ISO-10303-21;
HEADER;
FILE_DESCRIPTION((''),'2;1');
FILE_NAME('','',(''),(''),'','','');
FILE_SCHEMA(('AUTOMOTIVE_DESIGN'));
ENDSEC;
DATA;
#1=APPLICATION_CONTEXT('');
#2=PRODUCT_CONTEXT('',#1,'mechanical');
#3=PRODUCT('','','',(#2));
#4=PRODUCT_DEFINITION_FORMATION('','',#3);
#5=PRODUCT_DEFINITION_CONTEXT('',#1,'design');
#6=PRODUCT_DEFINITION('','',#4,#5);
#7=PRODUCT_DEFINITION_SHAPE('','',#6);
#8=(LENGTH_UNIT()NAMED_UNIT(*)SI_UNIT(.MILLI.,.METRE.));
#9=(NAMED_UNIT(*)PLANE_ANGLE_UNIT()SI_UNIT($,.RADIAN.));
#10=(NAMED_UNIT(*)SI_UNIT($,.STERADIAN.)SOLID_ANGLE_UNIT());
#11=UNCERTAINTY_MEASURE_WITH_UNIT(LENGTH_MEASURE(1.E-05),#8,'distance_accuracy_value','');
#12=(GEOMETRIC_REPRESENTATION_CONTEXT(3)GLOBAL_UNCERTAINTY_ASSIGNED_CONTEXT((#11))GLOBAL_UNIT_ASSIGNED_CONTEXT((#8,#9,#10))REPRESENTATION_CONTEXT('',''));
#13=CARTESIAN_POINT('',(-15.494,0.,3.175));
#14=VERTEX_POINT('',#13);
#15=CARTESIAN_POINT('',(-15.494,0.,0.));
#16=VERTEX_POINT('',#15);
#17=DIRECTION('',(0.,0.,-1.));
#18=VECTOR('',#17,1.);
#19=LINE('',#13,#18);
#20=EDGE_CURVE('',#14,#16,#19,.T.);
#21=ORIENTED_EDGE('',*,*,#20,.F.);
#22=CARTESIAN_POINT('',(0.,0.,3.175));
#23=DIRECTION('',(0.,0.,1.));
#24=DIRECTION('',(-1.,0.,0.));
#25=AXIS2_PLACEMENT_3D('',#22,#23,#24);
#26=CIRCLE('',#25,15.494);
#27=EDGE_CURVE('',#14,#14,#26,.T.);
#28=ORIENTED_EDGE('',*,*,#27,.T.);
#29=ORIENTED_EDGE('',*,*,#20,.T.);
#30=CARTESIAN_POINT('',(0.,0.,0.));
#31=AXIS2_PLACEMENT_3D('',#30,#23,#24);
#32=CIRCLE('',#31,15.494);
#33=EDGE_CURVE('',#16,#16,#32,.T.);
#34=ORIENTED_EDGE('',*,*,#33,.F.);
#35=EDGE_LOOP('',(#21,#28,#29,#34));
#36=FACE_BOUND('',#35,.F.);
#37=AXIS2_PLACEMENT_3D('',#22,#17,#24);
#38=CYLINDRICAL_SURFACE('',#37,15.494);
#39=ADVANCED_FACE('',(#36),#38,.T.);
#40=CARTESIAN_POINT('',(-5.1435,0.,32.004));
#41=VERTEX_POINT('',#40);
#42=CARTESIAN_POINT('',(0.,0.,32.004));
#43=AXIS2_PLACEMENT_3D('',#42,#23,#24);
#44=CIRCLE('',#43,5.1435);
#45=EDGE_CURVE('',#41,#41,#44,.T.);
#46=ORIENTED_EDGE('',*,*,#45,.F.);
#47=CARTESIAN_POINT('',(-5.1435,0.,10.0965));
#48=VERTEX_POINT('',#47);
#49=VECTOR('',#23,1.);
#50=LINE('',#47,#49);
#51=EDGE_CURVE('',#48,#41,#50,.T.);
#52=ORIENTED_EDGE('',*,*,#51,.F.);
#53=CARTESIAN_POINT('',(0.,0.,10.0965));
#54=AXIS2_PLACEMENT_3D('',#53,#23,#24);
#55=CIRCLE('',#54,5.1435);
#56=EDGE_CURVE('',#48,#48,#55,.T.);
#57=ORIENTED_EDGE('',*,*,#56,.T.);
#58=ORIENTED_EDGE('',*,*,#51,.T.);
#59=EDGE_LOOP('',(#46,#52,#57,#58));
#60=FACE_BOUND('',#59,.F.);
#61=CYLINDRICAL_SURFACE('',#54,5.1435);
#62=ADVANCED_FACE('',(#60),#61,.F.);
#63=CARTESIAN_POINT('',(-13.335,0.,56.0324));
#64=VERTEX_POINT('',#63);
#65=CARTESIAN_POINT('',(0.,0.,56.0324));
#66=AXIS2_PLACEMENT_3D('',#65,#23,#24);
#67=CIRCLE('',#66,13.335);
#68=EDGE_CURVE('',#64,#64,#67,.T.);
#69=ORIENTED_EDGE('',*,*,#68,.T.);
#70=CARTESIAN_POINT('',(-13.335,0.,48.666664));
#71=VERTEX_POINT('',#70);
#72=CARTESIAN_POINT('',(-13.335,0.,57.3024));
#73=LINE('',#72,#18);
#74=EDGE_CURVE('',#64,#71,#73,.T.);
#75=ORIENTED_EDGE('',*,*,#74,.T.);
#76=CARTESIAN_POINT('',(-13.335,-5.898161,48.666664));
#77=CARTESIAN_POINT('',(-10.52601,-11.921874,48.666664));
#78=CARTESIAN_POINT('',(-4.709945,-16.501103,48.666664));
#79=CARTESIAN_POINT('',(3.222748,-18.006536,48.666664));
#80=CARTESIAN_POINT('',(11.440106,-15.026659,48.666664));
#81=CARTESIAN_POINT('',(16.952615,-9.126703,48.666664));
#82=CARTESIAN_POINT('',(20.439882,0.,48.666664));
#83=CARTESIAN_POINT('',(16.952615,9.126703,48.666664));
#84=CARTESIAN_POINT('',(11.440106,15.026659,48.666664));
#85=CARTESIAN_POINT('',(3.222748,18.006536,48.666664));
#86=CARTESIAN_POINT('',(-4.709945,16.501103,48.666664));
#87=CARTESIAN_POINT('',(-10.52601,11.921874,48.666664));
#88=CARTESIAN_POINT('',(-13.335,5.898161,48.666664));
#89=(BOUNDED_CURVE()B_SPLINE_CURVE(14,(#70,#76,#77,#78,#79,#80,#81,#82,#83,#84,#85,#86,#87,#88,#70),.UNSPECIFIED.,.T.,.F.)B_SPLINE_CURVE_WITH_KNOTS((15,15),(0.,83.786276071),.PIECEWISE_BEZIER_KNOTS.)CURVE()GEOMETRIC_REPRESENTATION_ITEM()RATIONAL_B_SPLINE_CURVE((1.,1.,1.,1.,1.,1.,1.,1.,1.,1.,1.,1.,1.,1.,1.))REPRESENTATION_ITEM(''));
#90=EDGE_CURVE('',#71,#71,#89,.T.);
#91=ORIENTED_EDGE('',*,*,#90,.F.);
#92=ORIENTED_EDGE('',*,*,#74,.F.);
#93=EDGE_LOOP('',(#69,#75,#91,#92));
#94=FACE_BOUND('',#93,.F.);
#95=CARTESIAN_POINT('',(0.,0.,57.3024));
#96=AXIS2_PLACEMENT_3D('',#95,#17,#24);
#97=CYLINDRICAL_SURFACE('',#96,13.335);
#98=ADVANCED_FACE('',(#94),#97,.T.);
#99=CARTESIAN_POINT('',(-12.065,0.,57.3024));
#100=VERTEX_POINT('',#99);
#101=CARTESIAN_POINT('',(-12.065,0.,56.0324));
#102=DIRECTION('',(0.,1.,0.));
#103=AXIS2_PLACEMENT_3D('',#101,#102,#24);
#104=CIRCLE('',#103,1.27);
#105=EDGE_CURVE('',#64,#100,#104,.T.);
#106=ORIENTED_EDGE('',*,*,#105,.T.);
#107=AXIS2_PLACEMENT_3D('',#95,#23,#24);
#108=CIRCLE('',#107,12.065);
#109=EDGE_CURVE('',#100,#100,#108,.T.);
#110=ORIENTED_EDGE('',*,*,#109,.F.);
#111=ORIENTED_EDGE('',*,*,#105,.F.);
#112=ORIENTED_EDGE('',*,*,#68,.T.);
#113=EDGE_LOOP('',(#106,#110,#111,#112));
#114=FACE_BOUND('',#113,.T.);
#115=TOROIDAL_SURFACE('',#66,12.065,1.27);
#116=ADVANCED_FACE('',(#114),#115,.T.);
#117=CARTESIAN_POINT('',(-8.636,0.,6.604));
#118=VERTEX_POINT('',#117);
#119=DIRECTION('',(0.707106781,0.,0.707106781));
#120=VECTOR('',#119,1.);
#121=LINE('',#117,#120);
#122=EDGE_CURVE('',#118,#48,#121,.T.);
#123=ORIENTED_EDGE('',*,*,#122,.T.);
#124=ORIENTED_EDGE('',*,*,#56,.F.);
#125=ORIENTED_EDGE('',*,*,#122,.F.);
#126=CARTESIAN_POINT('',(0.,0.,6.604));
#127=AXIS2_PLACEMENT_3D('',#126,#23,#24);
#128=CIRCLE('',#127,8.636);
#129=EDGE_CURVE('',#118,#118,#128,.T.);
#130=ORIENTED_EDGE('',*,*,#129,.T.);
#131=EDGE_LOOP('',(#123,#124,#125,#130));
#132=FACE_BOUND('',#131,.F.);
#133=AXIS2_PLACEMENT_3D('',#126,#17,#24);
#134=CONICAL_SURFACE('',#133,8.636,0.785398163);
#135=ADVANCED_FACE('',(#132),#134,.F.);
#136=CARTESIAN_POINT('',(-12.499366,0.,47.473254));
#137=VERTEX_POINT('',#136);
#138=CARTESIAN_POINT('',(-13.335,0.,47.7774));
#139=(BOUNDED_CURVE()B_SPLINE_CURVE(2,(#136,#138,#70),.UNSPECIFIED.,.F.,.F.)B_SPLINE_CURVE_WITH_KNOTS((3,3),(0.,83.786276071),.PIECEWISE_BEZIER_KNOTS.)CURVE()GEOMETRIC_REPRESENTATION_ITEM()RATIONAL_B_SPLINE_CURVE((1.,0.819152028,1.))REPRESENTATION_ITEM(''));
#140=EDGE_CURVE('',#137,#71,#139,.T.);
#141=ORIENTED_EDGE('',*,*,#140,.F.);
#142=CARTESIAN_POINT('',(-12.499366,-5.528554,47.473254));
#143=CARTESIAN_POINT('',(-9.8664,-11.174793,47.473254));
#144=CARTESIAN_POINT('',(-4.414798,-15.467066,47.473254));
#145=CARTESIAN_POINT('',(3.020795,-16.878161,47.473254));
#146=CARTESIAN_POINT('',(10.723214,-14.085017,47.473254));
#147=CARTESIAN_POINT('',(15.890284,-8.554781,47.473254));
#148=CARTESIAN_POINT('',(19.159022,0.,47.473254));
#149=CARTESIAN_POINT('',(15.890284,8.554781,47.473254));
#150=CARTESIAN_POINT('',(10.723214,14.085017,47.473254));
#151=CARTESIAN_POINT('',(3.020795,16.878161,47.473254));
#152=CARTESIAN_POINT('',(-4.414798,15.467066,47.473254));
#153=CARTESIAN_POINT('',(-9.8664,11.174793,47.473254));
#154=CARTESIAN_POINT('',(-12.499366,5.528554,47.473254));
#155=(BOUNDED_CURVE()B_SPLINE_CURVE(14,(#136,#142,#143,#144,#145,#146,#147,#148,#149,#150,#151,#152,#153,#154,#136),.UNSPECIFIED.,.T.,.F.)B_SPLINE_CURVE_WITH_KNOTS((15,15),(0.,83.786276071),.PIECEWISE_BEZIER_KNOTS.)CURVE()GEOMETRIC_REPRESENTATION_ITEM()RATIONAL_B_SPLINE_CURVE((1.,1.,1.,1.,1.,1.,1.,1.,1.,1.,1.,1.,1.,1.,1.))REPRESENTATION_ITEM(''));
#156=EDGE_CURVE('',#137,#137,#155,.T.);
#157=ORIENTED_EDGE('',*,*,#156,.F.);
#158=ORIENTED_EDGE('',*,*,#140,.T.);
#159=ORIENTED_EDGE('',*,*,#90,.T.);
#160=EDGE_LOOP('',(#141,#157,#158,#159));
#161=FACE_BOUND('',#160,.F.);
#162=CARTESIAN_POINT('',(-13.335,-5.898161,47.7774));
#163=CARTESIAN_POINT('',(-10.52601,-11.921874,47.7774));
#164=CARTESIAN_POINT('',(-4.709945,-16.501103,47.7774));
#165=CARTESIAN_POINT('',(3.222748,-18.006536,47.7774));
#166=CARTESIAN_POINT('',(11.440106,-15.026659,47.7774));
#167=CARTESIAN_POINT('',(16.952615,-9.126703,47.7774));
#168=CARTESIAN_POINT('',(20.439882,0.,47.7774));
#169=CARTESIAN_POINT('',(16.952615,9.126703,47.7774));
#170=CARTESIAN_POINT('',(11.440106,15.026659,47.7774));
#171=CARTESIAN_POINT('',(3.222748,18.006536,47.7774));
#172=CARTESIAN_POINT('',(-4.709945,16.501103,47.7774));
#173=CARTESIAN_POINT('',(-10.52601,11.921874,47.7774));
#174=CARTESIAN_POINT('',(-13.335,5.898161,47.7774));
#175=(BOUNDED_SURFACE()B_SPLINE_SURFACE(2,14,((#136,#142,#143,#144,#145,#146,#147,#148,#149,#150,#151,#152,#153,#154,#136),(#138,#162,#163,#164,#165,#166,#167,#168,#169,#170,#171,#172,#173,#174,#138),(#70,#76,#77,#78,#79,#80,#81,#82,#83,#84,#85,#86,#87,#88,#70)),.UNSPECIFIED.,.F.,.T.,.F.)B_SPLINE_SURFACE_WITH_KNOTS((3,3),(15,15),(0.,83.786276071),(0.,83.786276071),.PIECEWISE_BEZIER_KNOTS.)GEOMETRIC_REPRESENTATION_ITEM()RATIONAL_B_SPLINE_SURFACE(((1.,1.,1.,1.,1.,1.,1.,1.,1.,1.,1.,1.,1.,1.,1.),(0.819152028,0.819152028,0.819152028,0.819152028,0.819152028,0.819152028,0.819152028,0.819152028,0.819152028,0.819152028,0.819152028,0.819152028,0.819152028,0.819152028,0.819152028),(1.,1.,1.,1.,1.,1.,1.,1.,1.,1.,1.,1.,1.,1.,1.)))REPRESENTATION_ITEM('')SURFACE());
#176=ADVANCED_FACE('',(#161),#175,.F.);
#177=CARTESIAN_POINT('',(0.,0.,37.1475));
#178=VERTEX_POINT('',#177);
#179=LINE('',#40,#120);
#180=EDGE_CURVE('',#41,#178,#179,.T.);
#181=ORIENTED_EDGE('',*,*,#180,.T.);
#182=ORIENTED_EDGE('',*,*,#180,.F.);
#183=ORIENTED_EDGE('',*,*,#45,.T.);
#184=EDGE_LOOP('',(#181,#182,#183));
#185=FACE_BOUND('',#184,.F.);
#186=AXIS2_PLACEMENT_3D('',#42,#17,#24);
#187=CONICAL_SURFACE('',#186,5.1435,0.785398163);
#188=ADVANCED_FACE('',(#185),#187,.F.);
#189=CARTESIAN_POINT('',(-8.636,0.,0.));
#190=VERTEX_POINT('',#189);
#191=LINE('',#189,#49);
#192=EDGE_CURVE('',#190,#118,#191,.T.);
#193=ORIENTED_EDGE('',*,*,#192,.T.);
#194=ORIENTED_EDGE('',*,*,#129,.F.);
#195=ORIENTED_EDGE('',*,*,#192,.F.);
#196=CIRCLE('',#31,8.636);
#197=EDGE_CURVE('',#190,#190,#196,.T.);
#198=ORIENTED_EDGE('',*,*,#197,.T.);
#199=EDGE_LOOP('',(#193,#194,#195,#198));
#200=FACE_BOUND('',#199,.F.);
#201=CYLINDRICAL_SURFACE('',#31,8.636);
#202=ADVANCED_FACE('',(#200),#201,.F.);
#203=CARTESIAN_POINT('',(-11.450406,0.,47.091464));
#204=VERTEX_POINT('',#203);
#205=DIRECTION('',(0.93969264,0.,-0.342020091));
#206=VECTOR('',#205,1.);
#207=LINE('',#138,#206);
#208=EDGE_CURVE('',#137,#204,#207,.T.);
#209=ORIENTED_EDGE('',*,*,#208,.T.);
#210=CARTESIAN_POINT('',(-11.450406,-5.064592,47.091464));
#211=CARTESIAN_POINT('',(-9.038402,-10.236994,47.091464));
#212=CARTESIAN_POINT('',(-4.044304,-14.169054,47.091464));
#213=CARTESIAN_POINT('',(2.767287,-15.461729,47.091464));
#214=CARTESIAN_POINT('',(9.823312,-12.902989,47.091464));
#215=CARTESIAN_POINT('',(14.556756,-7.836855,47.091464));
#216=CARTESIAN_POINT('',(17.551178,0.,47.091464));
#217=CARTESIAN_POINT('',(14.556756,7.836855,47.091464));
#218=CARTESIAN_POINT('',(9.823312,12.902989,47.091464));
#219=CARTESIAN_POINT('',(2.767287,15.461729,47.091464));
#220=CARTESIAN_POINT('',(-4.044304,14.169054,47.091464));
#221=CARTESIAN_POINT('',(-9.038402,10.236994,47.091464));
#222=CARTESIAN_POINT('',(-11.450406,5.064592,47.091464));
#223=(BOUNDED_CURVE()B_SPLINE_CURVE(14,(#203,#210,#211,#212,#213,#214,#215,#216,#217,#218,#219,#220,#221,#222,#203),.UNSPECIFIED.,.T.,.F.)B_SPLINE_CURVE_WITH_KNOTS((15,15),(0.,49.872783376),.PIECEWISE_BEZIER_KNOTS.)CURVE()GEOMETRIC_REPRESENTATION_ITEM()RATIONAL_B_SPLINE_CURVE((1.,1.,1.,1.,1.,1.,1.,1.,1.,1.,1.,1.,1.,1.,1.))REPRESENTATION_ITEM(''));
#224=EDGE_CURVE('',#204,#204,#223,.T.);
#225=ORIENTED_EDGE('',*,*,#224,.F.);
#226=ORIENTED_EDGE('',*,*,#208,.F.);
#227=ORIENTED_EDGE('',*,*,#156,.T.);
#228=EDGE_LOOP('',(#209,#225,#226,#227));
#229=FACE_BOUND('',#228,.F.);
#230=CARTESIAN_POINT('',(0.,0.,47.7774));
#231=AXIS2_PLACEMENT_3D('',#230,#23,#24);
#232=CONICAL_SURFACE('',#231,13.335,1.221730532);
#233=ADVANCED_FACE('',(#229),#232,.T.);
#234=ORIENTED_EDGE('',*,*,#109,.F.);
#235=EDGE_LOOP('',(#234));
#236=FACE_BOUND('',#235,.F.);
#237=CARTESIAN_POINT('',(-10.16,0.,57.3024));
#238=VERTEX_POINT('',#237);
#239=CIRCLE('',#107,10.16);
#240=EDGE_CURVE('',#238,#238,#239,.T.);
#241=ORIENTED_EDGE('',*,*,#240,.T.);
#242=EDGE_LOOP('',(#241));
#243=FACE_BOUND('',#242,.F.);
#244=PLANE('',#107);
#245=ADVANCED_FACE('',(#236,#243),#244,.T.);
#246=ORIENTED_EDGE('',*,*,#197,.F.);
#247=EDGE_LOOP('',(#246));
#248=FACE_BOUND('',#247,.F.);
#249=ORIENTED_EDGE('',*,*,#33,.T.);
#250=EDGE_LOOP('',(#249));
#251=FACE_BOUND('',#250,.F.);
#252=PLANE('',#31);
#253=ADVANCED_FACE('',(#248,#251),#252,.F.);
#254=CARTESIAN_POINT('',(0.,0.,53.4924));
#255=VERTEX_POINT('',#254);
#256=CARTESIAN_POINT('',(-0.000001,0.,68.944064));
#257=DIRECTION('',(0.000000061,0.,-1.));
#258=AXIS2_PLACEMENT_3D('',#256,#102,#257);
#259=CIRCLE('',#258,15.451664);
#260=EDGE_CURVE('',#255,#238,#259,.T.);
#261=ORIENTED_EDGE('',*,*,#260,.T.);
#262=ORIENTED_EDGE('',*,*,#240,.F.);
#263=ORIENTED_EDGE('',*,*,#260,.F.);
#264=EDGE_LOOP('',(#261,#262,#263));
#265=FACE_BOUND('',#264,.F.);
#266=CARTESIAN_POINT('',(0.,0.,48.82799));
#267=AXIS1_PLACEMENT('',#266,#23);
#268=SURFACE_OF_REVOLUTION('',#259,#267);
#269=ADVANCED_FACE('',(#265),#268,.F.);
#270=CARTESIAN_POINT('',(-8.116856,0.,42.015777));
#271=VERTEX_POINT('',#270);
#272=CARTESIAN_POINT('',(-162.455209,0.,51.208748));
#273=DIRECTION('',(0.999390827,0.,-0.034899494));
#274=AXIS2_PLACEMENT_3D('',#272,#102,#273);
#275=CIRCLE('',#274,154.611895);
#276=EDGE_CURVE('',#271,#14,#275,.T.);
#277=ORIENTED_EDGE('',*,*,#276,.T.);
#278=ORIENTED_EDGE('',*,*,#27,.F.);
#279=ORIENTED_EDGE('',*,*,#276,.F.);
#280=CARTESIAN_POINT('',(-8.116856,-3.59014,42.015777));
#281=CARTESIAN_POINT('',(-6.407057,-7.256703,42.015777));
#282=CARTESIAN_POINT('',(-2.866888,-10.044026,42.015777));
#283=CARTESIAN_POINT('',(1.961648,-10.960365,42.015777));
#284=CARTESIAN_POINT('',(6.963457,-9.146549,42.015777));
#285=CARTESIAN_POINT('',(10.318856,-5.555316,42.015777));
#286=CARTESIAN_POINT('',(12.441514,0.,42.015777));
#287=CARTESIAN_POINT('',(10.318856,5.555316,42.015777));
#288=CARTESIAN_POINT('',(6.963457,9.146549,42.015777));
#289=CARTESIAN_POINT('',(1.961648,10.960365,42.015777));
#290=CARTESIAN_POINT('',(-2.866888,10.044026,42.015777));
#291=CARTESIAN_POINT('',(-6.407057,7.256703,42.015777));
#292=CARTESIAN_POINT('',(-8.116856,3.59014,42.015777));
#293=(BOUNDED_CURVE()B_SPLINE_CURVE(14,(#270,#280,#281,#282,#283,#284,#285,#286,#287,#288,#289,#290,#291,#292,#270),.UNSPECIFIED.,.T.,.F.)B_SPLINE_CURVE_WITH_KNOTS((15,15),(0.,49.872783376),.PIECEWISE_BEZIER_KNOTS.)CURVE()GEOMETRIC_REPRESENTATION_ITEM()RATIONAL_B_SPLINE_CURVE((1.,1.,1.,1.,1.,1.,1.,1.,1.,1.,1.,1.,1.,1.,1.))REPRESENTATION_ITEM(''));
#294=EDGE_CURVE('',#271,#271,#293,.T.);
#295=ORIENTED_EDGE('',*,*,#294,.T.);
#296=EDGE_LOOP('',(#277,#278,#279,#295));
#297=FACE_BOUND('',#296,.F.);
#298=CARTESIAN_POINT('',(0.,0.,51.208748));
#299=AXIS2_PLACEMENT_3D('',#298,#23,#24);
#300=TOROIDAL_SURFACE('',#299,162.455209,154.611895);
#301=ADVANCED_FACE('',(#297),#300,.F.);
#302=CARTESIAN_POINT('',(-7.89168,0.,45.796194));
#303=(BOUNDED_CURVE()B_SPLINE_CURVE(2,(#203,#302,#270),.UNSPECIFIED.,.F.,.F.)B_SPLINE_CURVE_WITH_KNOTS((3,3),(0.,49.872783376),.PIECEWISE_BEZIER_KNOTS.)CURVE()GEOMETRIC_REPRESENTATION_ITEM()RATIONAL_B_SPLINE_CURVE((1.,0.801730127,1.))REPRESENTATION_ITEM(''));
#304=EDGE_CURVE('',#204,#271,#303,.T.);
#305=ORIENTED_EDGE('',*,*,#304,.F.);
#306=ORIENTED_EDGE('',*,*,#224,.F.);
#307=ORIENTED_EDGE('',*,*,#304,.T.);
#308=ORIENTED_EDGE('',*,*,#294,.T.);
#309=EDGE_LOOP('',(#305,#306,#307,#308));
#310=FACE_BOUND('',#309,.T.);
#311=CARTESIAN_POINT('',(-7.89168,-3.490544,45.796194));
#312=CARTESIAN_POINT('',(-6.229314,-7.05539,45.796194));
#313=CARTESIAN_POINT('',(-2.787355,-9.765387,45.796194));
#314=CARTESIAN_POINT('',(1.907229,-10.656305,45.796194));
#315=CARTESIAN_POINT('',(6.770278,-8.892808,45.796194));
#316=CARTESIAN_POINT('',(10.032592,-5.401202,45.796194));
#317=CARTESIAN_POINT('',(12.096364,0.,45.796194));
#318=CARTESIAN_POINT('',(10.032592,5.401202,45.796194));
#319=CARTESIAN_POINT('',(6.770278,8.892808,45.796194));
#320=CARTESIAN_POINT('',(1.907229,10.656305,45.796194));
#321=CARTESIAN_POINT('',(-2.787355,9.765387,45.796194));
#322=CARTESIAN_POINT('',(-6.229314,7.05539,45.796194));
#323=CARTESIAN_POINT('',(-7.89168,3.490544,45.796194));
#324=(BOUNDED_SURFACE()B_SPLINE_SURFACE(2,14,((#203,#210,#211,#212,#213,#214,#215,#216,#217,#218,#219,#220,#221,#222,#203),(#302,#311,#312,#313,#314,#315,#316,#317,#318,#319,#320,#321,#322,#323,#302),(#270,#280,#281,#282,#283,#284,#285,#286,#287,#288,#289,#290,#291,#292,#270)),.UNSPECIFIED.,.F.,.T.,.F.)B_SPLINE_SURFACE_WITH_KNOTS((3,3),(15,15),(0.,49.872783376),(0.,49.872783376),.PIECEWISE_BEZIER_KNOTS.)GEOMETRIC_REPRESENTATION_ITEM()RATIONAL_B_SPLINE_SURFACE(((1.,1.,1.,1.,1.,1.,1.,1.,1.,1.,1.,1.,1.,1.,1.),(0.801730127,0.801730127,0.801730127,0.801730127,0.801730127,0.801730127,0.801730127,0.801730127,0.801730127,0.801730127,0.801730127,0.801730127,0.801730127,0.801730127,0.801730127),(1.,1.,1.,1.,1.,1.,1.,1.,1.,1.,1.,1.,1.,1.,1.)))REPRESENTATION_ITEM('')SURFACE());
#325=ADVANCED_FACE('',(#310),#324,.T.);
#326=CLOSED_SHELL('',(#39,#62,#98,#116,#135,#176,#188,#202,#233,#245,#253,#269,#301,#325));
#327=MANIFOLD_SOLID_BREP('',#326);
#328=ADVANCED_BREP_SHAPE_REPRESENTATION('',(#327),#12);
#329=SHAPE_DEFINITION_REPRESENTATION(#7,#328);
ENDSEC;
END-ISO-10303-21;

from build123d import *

# Parameters (mm, degrees)
F2_R = 5.08
F3_R = 1.27


with BuildPart() as f1:
    # F0 (on Front) → F1 (revolve)
    with BuildSketch(Plane.XZ):
        with BuildLine():
            Line((-15.494, 0), (-8.636, 0))
            Line((-8.636, 0), (-8.636, 6.604))
            Line((-8.636, 6.604), (-5.1435, 10.0965))
            Line((-5.1435, 10.0965), (-5.1435, 32.004))
            Line((-5.1435, 32.004), (0, 37.1475))
            Line((0, 37.1475), (0, 53.4924))
            ThreePointArc((0, 53.4924), (-5.425442, 54.47622), (-10.16, 57.3024))
            Line((-10.16, 57.3024), (-13.335, 57.3024))
            Line((-13.335, 57.3024), (-13.335, 47.7774))
            Line((-13.335, 47.7774), (-7.9375, 45.812871))
            ThreePointArc((-7.9375, 45.812871), (-10.215656, 24.228081), (-15.494, 3.175))
            Line((-15.494, 3.175), (-15.494, 0))
        make_face()
    revolve(axis=Axis((0, 0, 48.82799), (0, 0, 1)))

    # F2
    f2_edges = [f1.edges().sort_by_distance(p)[0] for p in [
        (7.9375, 0, 45.812871),
    ]]
    fillet(f2_edges, radius=F2_R)

    # F3
    f3_edges = [f1.edges().sort_by_distance(p)[0] for p in [
        (13.335, 0, 47.7774),
        (13.335, 0, 57.3024),
    ]]
    fillet(f3_edges, radius=F3_R)


solid = f1.part
